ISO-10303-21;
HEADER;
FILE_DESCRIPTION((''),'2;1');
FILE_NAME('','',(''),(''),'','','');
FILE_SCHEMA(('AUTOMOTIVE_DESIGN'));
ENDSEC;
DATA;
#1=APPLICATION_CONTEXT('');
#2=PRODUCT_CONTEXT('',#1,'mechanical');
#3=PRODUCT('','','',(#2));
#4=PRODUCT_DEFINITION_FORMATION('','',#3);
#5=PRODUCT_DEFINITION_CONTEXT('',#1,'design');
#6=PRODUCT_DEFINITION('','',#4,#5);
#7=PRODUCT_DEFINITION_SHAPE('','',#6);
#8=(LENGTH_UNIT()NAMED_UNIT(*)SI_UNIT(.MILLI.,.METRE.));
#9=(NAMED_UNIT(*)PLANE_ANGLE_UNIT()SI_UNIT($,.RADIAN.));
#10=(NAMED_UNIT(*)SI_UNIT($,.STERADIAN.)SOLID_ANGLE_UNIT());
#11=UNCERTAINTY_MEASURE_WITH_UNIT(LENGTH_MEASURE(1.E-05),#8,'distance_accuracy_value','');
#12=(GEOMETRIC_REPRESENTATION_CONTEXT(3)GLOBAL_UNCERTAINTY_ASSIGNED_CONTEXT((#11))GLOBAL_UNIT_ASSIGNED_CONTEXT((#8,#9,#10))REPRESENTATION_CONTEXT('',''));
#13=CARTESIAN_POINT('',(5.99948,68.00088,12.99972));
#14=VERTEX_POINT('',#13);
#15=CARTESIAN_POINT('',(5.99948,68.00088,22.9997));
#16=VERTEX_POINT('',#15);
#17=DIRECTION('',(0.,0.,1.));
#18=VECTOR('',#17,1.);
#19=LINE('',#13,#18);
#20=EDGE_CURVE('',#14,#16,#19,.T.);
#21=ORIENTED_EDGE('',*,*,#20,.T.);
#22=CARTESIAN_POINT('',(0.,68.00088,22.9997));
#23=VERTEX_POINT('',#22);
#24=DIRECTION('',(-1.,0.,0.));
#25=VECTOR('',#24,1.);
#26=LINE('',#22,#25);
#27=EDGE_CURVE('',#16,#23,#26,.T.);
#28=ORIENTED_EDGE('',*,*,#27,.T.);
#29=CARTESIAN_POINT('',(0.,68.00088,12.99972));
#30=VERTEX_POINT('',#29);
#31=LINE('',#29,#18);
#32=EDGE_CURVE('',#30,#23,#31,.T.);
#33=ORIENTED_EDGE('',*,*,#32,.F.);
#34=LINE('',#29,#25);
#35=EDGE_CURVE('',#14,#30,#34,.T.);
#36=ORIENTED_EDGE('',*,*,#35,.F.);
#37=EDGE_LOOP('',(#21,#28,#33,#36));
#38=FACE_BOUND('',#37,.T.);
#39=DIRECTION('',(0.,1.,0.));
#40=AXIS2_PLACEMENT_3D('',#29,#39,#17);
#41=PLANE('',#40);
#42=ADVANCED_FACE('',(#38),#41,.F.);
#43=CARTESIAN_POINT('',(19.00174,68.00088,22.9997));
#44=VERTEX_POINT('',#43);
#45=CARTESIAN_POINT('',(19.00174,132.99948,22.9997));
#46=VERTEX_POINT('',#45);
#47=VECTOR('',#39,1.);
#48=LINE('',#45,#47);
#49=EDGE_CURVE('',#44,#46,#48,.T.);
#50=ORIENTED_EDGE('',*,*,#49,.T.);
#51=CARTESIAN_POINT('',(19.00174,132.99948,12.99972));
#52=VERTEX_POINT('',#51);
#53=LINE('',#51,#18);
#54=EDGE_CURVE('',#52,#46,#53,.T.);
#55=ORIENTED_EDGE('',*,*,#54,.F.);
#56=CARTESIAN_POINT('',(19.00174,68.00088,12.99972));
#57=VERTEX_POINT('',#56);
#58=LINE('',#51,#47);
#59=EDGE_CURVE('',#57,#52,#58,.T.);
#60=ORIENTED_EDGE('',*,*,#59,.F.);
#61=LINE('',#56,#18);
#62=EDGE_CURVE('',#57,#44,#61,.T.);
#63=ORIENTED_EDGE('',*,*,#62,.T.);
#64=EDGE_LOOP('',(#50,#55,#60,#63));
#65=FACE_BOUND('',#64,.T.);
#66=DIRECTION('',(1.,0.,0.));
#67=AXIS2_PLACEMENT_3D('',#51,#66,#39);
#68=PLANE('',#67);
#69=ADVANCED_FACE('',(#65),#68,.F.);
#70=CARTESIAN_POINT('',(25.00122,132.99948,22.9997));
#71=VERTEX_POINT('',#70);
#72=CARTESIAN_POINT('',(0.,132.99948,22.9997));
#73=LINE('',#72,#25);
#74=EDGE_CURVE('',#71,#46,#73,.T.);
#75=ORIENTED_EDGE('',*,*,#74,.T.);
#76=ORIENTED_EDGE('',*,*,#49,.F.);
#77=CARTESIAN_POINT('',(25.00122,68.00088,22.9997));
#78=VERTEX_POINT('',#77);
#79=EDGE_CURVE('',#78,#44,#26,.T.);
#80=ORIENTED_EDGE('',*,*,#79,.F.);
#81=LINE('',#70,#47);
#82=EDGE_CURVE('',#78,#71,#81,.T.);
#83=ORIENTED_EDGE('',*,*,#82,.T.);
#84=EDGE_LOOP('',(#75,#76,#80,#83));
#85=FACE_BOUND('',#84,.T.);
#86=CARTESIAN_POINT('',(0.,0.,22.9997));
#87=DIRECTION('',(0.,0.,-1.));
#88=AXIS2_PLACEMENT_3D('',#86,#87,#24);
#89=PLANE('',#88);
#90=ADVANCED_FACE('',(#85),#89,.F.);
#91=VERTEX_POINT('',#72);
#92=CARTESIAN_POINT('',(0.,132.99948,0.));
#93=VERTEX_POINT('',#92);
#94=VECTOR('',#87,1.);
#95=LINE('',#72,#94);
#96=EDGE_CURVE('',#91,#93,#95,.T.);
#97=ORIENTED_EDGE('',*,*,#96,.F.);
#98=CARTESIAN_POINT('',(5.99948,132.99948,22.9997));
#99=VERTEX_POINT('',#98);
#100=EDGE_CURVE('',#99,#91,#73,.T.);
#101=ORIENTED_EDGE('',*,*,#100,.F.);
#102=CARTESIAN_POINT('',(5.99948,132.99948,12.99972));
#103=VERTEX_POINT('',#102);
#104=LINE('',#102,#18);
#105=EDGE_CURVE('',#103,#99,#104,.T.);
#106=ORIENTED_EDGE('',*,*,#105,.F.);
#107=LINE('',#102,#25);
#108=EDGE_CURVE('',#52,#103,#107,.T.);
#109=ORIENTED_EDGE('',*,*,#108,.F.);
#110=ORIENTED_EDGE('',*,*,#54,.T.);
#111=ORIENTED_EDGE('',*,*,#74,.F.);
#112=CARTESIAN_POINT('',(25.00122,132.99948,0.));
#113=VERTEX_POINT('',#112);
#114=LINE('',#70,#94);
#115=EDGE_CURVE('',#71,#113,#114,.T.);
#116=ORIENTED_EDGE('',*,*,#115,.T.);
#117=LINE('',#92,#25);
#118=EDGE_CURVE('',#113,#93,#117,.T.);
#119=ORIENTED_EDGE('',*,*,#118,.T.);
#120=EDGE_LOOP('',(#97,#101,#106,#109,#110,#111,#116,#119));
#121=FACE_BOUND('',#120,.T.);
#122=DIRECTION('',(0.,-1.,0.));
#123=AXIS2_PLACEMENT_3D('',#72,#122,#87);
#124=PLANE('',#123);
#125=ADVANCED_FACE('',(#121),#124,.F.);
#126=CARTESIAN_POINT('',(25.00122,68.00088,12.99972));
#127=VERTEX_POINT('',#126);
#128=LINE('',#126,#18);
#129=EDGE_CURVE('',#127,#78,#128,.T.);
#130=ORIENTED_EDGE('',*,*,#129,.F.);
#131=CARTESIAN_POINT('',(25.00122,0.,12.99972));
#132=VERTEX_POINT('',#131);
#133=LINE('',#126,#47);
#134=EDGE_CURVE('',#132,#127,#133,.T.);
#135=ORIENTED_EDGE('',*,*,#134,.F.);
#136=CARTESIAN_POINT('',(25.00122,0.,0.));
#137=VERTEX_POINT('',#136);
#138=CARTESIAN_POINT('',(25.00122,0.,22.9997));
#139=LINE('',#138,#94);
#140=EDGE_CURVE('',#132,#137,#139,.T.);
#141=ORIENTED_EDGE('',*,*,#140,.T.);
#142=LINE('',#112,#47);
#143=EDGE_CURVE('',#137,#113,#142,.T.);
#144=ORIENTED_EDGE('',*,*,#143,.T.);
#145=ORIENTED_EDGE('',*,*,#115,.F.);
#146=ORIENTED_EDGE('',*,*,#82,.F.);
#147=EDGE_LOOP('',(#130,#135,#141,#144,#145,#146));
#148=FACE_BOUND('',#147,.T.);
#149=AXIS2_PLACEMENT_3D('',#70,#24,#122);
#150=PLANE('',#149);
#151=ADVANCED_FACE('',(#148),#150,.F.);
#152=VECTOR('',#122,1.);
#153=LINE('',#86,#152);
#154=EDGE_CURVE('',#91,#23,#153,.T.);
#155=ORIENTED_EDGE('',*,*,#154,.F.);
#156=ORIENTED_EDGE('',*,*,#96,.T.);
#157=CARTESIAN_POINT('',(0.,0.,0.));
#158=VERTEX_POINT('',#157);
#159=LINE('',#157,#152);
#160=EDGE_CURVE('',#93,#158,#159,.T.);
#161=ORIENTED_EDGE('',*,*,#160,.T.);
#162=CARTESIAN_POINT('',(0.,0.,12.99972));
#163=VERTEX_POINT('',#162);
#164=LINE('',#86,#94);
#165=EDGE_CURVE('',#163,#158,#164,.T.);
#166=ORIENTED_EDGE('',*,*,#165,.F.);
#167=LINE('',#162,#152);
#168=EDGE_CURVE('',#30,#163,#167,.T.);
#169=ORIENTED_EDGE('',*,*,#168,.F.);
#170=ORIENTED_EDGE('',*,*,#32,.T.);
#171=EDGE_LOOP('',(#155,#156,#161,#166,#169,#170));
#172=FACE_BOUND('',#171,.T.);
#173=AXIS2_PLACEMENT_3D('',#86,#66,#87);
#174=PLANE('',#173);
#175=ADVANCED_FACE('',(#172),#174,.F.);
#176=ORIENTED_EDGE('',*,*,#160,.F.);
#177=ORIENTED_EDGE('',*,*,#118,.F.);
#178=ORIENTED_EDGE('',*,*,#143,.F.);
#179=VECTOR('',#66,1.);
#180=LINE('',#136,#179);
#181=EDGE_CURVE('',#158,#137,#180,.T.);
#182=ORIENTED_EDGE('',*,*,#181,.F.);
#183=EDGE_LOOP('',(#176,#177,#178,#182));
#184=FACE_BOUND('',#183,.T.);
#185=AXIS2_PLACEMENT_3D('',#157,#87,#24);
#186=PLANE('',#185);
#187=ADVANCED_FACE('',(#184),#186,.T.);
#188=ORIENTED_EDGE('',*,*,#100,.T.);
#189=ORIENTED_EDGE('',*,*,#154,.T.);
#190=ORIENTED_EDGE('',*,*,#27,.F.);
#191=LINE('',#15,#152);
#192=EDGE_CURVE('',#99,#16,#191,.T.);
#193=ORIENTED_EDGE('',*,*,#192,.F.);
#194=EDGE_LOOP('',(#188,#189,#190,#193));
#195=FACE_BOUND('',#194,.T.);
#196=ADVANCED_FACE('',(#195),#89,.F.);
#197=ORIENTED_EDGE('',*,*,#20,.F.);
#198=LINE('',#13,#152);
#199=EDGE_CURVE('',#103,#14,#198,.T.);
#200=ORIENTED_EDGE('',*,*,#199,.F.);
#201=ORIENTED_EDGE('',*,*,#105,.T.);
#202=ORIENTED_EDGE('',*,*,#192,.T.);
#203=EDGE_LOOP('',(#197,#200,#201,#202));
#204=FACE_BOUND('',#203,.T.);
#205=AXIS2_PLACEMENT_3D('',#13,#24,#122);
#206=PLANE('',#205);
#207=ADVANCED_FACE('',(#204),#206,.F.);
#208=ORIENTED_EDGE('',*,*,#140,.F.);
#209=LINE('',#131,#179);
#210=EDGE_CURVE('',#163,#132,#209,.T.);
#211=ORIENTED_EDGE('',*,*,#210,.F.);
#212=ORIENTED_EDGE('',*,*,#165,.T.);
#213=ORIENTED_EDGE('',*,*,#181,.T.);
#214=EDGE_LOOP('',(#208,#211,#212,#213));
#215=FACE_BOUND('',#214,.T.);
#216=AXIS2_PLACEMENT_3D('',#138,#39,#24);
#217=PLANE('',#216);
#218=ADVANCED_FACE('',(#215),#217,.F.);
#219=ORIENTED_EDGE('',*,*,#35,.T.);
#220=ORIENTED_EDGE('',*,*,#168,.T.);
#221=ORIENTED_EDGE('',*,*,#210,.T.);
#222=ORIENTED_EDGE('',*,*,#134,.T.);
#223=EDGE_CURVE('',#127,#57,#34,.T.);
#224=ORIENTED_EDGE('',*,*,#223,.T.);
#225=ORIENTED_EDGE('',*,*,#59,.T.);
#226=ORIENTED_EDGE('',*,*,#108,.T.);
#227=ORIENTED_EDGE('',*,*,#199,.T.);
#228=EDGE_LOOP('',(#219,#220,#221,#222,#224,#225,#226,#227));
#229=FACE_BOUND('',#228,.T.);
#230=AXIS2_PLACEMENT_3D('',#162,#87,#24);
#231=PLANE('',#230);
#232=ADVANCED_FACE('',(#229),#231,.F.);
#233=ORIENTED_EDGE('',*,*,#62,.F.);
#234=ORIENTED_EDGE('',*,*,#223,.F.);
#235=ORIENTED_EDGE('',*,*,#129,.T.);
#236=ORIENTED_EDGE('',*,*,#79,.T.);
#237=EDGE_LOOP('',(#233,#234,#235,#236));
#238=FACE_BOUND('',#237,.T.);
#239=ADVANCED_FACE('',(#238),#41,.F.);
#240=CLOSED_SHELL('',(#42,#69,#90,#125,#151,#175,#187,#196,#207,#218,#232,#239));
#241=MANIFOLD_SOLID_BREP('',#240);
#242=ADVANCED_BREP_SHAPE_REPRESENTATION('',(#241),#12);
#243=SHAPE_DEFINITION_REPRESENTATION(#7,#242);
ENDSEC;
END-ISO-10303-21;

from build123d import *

# Parameters (mm, degrees)
SKETCH1_W           = 25.00122
SKETCH1_H           = 132.99948
BOSS_EXTRUDE1_DEPTH = 22.9997
SKETCH2_W           = 25.00122
SKETCH2_H           = 68.00088
CUT_EXTRUDE1_DEPTH  = 9.99998
SKETCH3_W           = 13.00226
SKETCH3_H           = 64.9986
CUT_EXTRUDE2_DEPTH  = 9.99998


with BuildPart() as part:
    # Sketch1 → Boss-Extrude1 (new body)
    with BuildSketch(Plane.XY):
        with Locations((12.50061, 66.49974)):
            Rectangle(SKETCH1_W, SKETCH1_H)
    extrude(amount=BOSS_EXTRUDE1_DEPTH)

    # Sketch2 → Cut-Extrude1 (cut)
    with BuildSketch(Plane.XY.offset(22.9997)):
        with Locations((12.50061, 34.00044)):
            Rectangle(SKETCH2_W, SKETCH2_H)
    extrude(amount=-CUT_EXTRUDE1_DEPTH, mode=Mode.SUBTRACT)

    # Sketch3 → Cut-Extrude2 (cut)
    with BuildSketch(Plane.XY.offset(22.9997)):
        with Locations((12.50061, 100.50018)):
            Rectangle(SKETCH3_W, SKETCH3_H)
    extrude(amount=-CUT_EXTRUDE2_DEPTH, mode=Mode.SUBTRACT)


solid = part.part
